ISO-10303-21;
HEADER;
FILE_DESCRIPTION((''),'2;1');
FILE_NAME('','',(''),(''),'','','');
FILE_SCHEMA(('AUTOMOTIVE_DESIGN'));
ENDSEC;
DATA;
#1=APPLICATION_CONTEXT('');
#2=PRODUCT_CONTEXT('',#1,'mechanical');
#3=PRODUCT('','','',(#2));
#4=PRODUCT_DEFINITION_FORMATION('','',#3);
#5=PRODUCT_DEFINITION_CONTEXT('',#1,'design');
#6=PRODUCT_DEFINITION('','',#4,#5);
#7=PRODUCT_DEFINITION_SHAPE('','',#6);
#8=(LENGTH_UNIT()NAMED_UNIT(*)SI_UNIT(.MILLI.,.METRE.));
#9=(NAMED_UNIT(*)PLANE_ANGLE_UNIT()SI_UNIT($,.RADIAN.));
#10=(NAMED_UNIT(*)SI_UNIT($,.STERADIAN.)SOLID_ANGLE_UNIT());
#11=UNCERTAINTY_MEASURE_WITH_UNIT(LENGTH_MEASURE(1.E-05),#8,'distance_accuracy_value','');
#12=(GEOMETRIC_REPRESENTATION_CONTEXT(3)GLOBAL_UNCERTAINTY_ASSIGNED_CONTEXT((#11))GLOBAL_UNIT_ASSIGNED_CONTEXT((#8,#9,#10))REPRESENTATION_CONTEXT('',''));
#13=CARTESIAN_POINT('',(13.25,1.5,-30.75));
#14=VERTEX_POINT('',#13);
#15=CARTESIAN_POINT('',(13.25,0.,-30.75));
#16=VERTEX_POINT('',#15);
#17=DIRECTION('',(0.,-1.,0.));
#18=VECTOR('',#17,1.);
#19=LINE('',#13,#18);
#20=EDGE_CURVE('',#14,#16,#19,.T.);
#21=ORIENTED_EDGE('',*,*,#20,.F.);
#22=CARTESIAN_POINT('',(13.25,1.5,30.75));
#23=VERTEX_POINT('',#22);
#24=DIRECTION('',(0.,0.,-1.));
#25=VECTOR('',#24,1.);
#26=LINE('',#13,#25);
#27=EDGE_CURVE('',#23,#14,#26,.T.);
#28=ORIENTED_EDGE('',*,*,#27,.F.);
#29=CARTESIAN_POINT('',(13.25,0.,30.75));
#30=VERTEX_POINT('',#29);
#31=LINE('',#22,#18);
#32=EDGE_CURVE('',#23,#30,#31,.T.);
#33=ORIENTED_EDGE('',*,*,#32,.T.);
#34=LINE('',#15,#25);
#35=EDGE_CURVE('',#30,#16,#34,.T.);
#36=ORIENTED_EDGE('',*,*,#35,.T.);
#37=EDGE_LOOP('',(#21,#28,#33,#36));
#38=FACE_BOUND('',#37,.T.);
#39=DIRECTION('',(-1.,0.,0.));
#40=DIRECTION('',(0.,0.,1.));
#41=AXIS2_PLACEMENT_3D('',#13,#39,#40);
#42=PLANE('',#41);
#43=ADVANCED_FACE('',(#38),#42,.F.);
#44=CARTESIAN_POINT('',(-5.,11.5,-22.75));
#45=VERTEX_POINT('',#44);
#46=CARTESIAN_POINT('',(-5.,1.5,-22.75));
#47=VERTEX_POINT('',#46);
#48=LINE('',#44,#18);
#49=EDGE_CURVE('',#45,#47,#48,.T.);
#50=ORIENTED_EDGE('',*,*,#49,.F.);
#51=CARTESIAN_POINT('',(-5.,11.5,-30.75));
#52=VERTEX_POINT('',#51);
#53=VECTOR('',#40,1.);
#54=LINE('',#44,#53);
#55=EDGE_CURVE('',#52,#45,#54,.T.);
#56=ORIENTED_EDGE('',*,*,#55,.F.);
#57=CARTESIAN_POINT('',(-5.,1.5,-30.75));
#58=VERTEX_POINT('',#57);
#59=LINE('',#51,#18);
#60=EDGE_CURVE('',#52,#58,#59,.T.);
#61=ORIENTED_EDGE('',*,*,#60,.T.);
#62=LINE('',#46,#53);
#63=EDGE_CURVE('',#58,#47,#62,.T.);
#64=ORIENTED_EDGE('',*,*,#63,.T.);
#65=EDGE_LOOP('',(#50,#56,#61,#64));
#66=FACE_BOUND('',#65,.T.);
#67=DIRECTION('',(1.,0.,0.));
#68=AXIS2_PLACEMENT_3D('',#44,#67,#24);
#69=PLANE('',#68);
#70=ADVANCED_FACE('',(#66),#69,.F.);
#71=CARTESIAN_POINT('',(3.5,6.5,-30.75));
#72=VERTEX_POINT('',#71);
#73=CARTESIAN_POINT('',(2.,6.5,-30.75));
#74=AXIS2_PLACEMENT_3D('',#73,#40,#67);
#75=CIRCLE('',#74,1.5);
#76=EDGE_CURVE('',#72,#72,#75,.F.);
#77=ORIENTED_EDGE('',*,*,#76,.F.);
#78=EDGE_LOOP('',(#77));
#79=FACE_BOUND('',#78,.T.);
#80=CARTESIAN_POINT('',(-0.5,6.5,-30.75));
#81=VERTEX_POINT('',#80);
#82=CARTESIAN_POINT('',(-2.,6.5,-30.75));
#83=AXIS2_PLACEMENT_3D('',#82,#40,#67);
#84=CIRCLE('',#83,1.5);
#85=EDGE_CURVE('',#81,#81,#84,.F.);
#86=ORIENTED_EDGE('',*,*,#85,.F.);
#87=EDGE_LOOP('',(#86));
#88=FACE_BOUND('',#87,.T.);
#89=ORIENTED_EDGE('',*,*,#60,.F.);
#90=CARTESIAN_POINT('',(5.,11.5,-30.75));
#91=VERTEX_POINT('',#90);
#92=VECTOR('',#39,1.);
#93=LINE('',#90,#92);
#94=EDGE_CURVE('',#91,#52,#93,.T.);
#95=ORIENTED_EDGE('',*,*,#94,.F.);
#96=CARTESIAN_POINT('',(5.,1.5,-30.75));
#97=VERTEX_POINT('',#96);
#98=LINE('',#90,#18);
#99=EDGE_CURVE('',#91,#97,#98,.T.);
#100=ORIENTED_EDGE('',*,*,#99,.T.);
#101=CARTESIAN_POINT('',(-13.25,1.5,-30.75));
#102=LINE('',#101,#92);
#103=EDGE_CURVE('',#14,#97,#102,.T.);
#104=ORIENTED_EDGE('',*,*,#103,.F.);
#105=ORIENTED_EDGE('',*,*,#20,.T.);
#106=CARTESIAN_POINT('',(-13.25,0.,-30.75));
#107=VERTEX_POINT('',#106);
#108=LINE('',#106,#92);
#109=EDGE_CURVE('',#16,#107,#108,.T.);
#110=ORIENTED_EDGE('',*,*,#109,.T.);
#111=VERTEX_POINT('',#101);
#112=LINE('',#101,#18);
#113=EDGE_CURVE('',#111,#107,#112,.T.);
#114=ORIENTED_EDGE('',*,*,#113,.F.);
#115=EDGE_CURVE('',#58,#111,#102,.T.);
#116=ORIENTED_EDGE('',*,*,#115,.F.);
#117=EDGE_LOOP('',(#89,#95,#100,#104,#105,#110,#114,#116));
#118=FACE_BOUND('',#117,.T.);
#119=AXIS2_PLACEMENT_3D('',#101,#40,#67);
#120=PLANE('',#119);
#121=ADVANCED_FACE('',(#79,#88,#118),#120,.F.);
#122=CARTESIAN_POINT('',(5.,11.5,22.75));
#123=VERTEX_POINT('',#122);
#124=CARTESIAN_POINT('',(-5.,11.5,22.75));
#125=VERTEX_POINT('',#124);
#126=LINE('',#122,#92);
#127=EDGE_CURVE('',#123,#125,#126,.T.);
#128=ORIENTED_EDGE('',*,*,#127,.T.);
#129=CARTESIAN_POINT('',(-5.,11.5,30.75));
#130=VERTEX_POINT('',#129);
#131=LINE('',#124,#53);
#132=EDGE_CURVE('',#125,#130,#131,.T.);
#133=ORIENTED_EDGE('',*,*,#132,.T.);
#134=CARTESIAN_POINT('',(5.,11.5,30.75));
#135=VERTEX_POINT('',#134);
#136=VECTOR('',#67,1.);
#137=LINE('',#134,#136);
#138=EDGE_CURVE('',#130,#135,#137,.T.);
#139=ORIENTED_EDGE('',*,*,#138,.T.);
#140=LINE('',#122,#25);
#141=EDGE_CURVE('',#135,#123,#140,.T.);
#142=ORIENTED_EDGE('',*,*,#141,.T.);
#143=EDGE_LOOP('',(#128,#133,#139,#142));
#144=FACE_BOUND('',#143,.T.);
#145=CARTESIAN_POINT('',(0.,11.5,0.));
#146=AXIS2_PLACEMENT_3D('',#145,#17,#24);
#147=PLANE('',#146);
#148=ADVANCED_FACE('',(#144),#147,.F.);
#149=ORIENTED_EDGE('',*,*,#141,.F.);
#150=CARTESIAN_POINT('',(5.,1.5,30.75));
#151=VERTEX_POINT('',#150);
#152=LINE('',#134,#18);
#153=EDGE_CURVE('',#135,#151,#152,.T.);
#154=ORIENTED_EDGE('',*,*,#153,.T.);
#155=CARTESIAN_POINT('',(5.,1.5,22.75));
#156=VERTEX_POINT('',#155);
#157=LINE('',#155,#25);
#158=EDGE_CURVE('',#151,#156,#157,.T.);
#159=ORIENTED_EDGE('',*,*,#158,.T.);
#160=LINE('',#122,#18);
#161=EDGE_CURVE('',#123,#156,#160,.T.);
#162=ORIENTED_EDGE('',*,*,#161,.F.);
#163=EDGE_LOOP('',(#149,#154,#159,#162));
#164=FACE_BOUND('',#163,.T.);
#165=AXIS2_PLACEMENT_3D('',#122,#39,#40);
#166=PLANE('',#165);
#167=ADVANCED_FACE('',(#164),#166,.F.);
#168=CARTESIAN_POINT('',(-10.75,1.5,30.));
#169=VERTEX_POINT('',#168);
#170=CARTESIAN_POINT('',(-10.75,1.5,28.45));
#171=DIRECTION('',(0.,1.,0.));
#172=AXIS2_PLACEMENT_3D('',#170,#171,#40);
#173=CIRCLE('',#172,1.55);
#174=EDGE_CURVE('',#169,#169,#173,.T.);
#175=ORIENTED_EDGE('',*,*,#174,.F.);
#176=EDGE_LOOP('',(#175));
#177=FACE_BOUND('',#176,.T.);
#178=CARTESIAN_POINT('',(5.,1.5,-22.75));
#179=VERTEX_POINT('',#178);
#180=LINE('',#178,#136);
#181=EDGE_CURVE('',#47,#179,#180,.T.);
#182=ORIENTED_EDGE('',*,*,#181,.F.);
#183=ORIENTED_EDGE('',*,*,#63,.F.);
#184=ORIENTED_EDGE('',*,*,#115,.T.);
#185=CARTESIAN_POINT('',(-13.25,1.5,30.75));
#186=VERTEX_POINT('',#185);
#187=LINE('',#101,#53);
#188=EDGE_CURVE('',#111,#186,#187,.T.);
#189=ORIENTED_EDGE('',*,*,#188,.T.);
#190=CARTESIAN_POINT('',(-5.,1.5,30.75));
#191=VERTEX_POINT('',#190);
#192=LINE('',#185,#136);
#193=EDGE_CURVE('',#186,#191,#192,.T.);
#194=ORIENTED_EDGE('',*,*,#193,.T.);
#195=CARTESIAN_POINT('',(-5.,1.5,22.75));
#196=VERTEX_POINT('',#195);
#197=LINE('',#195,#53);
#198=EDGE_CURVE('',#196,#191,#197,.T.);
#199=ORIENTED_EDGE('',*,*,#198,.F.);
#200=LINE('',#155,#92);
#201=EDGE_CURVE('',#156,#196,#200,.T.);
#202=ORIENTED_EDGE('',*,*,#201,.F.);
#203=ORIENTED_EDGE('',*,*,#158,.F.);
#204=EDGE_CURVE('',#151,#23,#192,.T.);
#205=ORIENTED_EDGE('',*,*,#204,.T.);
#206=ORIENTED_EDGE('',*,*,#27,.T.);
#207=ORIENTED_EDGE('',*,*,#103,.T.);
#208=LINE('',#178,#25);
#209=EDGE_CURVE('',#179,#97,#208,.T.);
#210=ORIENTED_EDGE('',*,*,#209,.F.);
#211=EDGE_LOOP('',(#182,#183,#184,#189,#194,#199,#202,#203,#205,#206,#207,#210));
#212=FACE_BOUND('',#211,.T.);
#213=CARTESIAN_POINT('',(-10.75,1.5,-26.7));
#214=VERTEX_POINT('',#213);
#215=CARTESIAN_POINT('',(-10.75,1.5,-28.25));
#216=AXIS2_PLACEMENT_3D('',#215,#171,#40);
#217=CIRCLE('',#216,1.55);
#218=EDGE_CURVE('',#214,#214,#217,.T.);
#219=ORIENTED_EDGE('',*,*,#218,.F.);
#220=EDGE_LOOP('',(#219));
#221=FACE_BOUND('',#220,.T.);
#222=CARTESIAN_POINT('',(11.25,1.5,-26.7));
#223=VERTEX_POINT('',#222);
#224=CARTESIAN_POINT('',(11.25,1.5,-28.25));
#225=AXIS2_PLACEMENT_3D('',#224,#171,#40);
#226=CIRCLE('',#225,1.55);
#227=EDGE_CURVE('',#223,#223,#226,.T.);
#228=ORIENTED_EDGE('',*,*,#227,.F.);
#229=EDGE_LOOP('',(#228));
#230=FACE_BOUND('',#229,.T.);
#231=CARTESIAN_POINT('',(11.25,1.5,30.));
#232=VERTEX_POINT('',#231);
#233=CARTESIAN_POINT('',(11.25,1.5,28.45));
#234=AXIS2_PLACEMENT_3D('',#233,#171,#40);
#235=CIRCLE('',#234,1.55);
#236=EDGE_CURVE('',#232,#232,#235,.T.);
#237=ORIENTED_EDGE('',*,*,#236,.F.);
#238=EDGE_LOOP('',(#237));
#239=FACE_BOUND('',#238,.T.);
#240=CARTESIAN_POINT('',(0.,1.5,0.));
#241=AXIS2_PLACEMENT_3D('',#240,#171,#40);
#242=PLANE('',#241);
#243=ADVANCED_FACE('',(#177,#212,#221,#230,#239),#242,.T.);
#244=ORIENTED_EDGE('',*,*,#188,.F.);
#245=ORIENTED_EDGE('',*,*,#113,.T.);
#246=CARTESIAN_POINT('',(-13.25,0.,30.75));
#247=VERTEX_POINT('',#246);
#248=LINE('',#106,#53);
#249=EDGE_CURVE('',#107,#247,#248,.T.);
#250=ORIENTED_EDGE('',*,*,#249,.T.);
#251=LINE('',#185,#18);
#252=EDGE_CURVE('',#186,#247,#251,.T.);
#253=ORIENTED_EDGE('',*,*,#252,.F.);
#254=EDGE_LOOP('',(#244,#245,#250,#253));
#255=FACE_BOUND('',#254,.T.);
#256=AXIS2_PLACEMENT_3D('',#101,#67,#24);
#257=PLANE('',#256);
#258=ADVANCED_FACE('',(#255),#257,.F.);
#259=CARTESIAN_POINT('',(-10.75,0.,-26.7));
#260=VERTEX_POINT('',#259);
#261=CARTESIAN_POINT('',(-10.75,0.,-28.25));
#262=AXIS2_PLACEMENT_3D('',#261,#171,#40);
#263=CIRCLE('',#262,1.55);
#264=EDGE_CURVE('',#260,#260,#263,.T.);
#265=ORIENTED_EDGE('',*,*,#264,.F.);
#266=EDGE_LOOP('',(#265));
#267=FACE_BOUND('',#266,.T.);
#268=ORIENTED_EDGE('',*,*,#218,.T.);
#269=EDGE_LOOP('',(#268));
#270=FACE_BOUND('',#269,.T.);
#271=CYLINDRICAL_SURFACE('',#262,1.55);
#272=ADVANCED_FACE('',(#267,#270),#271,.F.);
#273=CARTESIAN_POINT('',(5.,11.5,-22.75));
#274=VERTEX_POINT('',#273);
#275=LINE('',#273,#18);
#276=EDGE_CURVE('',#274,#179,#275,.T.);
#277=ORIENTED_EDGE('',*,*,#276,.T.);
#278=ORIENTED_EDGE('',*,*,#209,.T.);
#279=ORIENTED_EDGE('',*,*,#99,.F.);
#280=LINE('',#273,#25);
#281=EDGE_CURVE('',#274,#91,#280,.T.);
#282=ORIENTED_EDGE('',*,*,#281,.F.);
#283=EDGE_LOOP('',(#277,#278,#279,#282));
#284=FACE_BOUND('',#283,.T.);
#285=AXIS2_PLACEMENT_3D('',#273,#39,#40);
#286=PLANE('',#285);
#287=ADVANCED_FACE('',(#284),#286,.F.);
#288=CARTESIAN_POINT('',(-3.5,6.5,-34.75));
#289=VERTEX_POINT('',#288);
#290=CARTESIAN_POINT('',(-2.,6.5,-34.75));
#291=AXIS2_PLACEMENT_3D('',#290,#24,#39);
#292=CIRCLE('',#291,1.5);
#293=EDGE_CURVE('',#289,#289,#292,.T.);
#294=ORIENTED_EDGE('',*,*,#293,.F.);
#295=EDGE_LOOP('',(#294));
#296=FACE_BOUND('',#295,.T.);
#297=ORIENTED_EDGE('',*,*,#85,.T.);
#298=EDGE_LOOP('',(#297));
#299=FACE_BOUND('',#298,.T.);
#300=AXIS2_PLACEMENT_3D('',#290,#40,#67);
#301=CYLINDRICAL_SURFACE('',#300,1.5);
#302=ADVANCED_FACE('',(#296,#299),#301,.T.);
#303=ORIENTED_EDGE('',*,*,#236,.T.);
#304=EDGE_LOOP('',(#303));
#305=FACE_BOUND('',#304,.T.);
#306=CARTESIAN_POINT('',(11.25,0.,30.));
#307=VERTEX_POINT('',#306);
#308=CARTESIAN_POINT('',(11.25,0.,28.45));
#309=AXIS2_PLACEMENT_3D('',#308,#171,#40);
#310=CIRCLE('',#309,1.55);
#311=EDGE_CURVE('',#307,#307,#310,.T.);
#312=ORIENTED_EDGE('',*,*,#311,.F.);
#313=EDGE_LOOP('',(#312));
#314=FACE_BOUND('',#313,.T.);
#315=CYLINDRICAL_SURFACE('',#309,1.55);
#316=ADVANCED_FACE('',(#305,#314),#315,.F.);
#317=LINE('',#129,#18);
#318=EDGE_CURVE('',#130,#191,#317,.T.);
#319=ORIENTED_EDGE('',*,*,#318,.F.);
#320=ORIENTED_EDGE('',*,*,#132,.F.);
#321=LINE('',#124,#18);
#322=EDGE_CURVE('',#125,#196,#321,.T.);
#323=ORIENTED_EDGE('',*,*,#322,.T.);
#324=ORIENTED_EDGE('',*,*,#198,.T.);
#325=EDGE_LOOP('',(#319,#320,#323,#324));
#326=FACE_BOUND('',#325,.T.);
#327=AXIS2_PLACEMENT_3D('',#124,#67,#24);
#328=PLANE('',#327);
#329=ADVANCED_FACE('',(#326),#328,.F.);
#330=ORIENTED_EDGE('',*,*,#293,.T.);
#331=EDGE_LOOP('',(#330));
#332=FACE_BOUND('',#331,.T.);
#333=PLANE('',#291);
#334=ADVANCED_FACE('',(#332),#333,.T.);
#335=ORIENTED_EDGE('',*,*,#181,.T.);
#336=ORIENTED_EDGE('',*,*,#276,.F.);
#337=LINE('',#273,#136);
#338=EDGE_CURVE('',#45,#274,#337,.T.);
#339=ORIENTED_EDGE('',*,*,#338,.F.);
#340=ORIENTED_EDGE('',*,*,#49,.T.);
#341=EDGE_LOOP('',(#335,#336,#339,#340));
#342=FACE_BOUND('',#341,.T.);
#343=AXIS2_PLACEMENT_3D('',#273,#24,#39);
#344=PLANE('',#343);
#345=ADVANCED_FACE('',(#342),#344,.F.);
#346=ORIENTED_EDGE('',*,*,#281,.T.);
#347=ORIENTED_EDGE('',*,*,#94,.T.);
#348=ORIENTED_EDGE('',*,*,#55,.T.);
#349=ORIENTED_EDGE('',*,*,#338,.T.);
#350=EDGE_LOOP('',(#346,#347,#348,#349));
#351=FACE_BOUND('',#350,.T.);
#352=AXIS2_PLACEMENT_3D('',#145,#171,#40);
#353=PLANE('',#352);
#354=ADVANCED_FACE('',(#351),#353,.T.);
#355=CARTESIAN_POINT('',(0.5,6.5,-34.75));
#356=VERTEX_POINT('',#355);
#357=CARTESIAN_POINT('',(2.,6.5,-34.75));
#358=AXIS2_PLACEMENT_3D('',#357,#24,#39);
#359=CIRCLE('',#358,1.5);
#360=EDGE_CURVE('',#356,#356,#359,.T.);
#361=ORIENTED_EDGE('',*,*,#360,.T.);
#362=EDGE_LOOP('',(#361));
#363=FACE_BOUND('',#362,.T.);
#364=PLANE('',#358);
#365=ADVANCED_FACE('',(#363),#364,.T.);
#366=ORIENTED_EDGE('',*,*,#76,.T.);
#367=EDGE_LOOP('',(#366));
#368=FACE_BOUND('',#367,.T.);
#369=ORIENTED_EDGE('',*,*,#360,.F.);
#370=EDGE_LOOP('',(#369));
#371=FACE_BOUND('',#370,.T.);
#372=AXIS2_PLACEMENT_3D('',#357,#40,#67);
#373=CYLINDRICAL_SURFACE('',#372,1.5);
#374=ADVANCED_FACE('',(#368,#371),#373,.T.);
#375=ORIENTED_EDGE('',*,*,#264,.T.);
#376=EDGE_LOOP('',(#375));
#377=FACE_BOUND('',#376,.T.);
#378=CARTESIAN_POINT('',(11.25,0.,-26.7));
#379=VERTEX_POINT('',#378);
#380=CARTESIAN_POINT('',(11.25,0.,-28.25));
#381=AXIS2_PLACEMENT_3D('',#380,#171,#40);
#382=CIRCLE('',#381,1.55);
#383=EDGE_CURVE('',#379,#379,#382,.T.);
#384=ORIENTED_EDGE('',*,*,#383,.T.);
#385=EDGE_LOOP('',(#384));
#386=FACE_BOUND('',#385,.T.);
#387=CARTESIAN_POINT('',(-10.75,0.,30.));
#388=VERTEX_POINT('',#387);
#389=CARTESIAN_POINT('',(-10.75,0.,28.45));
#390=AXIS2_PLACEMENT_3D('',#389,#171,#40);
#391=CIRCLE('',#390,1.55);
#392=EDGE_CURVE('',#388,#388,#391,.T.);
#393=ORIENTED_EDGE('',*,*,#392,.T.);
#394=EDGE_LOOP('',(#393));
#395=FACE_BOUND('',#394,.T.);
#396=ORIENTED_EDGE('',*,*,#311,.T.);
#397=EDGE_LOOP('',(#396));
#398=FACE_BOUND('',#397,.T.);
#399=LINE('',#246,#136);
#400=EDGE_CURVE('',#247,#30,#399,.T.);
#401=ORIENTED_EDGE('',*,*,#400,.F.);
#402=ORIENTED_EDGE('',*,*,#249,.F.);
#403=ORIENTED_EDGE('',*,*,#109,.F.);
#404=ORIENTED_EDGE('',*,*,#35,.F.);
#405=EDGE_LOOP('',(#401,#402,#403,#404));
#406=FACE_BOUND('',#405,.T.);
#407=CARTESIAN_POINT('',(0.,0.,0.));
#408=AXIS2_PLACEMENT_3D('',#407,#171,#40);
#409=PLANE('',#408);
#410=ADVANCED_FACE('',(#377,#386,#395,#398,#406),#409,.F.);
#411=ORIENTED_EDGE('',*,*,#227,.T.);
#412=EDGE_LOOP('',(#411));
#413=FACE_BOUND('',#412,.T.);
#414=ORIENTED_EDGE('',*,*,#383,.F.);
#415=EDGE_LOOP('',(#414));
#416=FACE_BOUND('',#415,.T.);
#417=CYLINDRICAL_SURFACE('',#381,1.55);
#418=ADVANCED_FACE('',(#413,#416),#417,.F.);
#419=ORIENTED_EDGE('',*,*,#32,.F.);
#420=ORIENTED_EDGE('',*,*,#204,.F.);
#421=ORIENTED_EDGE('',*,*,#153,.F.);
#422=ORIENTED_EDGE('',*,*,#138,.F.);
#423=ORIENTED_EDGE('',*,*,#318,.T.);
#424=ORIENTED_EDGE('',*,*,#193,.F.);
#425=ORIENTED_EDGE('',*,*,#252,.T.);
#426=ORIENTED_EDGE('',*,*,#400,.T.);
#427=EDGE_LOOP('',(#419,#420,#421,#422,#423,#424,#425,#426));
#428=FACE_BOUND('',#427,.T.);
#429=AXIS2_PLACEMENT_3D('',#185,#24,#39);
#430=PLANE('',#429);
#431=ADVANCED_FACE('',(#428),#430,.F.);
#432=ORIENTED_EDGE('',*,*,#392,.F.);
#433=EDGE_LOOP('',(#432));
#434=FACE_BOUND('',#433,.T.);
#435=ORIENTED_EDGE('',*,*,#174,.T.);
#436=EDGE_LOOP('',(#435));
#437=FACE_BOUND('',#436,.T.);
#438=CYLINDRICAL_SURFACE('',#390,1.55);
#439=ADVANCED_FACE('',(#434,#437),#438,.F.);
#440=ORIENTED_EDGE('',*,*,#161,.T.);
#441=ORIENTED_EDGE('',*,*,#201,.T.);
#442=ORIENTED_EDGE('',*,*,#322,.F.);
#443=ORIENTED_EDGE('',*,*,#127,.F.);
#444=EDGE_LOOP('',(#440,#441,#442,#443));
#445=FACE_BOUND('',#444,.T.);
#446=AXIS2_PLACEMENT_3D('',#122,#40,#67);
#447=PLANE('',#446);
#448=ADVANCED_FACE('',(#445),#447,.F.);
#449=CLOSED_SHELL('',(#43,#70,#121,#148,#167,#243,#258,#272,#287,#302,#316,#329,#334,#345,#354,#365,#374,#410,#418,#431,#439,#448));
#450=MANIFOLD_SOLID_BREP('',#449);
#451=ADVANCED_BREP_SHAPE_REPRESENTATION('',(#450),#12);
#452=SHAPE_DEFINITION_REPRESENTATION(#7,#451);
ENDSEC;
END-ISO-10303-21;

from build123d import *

# Parameters (mm, degrees)
SKIZZE1_W                       = 26.5
SKIZZE1_H                       = 61.5
AUFSATZ_LINEAR_AUSTRAGEN1_DEPTH = 1.5
SKIZZE2_R                       = 1.55
SCHNITT_LINEAR_AUSTRAGEN1_DEPTH = 2.5
SKIZZE3_W                       = 10
SKIZZE3_H                       = 8
AUFSATZ_LINEAR_AUSTRAGEN2_DEPTH = 10
SKIZZE4_R                       = 1.5
AUFSATZ_LINEAR_AUSTRAGEN3_DEPTH = 4


with BuildPart() as part:
    # Skizze1 → Aufsatz-Linear austragen1 (new body)
    with BuildSketch(Plane(origin=(0, 0, 0), x_dir=(1, 0, 0), z_dir=(0, 1, 0))):
        Rectangle(SKIZZE1_W, SKIZZE1_H)
    extrude(amount=AUFSATZ_LINEAR_AUSTRAGEN1_DEPTH)

    # Skizze2 → Schnitt-Linear austragen1 (cut, through all)
    with BuildSketch(Plane(origin=(0, 1.5, 0), x_dir=(1, 0, 0), z_dir=(0, 1, 0))):
        with Locations((-10.75, 28.25)):
            Circle(SKIZZE2_R)
        with Locations((11.25, 28.25)):
            Circle(SKIZZE2_R)
        with Locations((11.25, -28.45)):
            Circle(SKIZZE2_R)
        with Locations((-10.75, -28.45)):
            Circle(SKIZZE2_R)
    extrude(amount=-SCHNITT_LINEAR_AUSTRAGEN1_DEPTH, mode=Mode.SUBTRACT)

    # Skizze3 → Aufsatz-Linear austragen2 (add)
    with BuildSketch(Plane(origin=(0, 1.5, 0), x_dir=(1, 0, 0), z_dir=(0, 1, 0))):
        with Locations((0, -26.75)):
            Rectangle(SKIZZE3_W, SKIZZE3_H)
        with Locations((0, 26.75)):
            Rectangle(SKIZZE3_W, SKIZZE3_H)
    extrude(amount=AUFSATZ_LINEAR_AUSTRAGEN2_DEPTH)

    # Skizze4 → Aufsatz-Linear austragen3 (add)
    with BuildSketch(Plane(origin=(0, 0, -30.75), x_dir=(-1, 0, 0), z_dir=(0, 0, -1))):
        with Locations((-2, 6.5)):
            Circle(SKIZZE4_R)
        with Locations((2, 6.5)):
            Circle(SKIZZE4_R)
    extrude(amount=AUFSATZ_LINEAR_AUSTRAGEN3_DEPTH)


solid = part.part
